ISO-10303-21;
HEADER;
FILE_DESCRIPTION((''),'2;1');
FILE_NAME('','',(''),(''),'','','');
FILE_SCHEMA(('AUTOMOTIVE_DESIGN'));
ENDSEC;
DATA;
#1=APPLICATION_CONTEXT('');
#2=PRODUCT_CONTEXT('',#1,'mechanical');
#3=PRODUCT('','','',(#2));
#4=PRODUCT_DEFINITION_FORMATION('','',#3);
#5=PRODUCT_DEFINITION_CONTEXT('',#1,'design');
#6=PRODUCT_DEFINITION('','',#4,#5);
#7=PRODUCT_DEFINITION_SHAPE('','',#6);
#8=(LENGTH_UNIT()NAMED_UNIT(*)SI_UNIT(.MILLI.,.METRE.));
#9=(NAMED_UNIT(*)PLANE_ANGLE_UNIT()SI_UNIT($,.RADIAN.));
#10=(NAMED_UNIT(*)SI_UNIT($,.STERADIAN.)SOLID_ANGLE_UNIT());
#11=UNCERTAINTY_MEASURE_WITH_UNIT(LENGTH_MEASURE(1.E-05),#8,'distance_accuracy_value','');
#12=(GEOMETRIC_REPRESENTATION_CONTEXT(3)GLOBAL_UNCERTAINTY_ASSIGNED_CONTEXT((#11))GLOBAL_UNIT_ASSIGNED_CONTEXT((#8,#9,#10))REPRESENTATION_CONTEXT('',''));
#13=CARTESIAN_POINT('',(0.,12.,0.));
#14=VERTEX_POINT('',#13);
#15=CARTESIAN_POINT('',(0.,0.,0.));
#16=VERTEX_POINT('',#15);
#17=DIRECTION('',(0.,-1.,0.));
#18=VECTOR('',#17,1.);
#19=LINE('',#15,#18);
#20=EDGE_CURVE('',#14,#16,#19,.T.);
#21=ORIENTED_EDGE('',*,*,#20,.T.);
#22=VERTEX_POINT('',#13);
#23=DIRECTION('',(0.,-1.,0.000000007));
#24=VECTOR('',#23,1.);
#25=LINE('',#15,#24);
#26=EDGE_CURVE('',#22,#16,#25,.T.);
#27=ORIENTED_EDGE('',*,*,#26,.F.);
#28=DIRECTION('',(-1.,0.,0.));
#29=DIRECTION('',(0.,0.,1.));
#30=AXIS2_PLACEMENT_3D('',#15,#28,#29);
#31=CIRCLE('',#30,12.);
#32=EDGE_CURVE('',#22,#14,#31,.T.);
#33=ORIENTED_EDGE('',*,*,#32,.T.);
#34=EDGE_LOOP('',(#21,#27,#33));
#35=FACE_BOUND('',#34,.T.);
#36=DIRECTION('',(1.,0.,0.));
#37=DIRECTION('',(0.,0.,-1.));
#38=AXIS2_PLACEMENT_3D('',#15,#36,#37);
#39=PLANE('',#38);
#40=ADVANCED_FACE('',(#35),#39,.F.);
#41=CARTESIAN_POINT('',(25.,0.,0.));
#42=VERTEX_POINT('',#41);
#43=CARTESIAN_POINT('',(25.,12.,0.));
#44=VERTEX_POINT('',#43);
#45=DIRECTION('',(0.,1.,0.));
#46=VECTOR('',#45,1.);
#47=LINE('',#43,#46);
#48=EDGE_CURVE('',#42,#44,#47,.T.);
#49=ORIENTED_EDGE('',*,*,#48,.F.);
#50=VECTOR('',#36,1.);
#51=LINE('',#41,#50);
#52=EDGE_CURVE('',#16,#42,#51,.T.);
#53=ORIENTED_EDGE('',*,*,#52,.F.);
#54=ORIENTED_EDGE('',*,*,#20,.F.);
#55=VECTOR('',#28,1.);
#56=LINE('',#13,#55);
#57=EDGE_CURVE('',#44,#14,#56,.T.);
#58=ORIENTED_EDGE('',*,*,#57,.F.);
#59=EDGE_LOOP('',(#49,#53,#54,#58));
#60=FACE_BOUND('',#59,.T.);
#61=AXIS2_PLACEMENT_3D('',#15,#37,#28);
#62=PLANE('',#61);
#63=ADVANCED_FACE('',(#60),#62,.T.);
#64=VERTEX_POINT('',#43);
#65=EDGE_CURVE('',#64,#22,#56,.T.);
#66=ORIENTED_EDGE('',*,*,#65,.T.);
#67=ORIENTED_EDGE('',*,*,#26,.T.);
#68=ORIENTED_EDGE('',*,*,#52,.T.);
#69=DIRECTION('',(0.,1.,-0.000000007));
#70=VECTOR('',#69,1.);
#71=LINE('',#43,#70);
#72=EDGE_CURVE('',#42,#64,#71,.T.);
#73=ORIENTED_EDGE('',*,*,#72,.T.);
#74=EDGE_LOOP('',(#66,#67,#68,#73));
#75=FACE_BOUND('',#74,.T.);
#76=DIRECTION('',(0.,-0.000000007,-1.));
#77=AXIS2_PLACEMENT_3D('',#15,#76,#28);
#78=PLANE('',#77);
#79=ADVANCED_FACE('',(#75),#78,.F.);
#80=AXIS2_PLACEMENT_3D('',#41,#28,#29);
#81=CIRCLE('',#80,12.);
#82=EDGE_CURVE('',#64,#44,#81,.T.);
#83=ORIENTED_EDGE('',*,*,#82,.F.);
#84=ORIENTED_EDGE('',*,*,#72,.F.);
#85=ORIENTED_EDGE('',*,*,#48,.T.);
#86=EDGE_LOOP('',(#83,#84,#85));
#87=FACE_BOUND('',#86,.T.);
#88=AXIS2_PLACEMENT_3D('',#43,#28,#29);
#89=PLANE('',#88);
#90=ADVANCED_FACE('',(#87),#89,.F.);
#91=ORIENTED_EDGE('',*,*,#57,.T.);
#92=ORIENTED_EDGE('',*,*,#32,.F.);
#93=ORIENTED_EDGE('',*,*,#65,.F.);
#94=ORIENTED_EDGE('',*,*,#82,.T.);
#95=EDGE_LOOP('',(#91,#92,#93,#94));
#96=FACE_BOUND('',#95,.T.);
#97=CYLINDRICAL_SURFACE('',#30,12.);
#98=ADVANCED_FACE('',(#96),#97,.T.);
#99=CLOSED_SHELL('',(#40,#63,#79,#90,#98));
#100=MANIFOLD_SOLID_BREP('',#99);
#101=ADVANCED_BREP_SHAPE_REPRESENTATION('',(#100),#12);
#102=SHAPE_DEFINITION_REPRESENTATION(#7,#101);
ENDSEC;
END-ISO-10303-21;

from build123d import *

# Parameters (mm, degrees)
SKETCH1_W      = 25
SKETCH1_H      = 12
REVOLVE1_ANGLE = 359.999999589


with BuildPart() as part:
    # Sketch1 → Revolve1 (revolve)
    with BuildSketch(Plane.XY):
        with Locations((12.5, 6)):
            Rectangle(SKETCH1_W, SKETCH1_H)
    revolve(axis=Axis((0, 0, 0), (1, 0, 0)), revolution_arc=REVOLVE1_ANGLE)


solid = part.part
